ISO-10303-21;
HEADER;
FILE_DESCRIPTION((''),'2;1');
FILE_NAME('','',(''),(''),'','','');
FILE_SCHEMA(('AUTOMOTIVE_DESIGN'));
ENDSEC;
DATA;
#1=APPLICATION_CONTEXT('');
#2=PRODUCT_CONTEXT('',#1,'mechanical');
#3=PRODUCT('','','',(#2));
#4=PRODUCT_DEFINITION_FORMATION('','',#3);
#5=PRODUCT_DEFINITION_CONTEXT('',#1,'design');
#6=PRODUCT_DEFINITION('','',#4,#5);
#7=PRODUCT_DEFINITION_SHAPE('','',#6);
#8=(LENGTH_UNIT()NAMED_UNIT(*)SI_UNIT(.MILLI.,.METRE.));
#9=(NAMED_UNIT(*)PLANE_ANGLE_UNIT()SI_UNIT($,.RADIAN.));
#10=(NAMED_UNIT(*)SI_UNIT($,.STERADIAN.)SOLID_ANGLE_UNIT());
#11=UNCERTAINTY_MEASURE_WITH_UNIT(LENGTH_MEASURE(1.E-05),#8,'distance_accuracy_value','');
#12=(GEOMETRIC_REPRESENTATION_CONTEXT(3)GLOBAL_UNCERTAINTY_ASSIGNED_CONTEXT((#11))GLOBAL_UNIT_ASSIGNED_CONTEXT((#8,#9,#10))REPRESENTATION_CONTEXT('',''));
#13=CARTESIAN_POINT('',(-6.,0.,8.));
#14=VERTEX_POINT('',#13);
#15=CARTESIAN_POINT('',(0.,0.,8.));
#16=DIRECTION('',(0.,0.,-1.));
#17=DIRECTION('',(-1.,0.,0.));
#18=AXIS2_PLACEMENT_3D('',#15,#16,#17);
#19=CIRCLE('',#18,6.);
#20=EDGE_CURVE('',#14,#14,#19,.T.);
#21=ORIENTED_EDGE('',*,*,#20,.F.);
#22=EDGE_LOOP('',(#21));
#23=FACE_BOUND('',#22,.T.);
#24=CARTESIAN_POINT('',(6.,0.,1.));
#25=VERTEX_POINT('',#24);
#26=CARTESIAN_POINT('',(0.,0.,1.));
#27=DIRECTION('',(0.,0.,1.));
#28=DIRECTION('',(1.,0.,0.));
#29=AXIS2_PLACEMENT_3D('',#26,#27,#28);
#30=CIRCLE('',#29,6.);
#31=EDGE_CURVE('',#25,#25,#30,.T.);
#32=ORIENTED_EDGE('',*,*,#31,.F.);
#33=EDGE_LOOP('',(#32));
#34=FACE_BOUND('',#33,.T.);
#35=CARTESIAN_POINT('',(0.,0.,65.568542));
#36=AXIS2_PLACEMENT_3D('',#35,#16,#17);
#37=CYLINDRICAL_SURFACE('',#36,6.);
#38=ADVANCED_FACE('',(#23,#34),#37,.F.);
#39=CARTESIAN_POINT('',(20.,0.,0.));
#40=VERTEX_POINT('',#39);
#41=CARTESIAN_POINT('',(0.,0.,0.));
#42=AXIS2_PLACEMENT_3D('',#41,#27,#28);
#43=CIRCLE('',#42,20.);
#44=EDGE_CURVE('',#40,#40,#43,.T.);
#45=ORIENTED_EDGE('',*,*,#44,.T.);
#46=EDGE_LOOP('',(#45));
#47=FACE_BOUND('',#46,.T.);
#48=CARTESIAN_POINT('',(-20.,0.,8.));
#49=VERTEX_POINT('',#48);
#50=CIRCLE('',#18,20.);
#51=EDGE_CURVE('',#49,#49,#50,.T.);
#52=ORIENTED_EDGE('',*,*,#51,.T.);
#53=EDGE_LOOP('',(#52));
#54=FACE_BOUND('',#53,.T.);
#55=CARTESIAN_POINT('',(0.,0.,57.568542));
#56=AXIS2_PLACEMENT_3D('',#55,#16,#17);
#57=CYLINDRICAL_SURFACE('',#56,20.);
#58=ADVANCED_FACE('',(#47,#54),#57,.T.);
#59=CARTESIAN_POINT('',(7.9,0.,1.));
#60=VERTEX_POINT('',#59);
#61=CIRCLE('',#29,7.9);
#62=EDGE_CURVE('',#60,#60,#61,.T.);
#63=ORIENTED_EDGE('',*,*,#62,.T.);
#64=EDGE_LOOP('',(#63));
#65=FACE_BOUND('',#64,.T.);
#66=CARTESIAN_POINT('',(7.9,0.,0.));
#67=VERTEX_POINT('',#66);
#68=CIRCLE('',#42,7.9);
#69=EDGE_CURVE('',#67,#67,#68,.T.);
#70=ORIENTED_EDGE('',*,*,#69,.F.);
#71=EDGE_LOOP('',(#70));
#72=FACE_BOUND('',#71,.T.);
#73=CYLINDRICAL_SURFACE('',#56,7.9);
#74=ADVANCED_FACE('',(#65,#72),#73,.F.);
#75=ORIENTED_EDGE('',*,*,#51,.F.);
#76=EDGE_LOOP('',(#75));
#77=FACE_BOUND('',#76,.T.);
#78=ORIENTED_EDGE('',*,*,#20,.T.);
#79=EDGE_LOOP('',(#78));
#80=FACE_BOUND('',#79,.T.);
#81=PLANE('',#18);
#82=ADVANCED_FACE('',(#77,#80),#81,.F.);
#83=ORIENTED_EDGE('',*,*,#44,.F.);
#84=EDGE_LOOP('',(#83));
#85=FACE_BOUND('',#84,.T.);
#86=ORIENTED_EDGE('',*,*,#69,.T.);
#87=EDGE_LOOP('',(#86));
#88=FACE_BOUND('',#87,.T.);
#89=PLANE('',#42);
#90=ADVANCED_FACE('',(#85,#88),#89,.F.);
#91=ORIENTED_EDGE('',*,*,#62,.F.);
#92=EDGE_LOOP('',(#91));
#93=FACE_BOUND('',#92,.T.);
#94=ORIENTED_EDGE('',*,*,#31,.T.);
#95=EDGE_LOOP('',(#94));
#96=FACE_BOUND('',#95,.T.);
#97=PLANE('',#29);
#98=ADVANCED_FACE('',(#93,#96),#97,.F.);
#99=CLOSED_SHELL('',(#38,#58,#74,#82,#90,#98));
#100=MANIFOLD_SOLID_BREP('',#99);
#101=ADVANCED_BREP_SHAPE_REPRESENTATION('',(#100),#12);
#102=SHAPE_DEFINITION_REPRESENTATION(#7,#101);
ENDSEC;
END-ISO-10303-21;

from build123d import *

# Parameters (mm, degrees)
SKETCH_1_R      = 20
SKETCH_1_R_2    = 7.9
EXTRUDE_1_DEPTH = 1
SKETCH_2_R      = 20
SKETCH_2_R_2    = 6
EXTRUDE_2_DEPTH = 7


with BuildPart() as part:
    # Эскиз1 → Бобышка-Вытянуть1 (new body)
    with BuildSketch(Plane.XY):
        Circle(SKETCH_1_R)
        Circle(SKETCH_1_R_2, mode=Mode.SUBTRACT)
    extrude(amount=EXTRUDE_1_DEPTH)

    # Эскиз2 → Бобышка-Вытянуть2 (add)
    with BuildSketch(Plane.XY.offset(1)):
        Circle(SKETCH_2_R)
        Circle(SKETCH_2_R_2, mode=Mode.SUBTRACT)
    extrude(amount=EXTRUDE_2_DEPTH)


solid = part.part
